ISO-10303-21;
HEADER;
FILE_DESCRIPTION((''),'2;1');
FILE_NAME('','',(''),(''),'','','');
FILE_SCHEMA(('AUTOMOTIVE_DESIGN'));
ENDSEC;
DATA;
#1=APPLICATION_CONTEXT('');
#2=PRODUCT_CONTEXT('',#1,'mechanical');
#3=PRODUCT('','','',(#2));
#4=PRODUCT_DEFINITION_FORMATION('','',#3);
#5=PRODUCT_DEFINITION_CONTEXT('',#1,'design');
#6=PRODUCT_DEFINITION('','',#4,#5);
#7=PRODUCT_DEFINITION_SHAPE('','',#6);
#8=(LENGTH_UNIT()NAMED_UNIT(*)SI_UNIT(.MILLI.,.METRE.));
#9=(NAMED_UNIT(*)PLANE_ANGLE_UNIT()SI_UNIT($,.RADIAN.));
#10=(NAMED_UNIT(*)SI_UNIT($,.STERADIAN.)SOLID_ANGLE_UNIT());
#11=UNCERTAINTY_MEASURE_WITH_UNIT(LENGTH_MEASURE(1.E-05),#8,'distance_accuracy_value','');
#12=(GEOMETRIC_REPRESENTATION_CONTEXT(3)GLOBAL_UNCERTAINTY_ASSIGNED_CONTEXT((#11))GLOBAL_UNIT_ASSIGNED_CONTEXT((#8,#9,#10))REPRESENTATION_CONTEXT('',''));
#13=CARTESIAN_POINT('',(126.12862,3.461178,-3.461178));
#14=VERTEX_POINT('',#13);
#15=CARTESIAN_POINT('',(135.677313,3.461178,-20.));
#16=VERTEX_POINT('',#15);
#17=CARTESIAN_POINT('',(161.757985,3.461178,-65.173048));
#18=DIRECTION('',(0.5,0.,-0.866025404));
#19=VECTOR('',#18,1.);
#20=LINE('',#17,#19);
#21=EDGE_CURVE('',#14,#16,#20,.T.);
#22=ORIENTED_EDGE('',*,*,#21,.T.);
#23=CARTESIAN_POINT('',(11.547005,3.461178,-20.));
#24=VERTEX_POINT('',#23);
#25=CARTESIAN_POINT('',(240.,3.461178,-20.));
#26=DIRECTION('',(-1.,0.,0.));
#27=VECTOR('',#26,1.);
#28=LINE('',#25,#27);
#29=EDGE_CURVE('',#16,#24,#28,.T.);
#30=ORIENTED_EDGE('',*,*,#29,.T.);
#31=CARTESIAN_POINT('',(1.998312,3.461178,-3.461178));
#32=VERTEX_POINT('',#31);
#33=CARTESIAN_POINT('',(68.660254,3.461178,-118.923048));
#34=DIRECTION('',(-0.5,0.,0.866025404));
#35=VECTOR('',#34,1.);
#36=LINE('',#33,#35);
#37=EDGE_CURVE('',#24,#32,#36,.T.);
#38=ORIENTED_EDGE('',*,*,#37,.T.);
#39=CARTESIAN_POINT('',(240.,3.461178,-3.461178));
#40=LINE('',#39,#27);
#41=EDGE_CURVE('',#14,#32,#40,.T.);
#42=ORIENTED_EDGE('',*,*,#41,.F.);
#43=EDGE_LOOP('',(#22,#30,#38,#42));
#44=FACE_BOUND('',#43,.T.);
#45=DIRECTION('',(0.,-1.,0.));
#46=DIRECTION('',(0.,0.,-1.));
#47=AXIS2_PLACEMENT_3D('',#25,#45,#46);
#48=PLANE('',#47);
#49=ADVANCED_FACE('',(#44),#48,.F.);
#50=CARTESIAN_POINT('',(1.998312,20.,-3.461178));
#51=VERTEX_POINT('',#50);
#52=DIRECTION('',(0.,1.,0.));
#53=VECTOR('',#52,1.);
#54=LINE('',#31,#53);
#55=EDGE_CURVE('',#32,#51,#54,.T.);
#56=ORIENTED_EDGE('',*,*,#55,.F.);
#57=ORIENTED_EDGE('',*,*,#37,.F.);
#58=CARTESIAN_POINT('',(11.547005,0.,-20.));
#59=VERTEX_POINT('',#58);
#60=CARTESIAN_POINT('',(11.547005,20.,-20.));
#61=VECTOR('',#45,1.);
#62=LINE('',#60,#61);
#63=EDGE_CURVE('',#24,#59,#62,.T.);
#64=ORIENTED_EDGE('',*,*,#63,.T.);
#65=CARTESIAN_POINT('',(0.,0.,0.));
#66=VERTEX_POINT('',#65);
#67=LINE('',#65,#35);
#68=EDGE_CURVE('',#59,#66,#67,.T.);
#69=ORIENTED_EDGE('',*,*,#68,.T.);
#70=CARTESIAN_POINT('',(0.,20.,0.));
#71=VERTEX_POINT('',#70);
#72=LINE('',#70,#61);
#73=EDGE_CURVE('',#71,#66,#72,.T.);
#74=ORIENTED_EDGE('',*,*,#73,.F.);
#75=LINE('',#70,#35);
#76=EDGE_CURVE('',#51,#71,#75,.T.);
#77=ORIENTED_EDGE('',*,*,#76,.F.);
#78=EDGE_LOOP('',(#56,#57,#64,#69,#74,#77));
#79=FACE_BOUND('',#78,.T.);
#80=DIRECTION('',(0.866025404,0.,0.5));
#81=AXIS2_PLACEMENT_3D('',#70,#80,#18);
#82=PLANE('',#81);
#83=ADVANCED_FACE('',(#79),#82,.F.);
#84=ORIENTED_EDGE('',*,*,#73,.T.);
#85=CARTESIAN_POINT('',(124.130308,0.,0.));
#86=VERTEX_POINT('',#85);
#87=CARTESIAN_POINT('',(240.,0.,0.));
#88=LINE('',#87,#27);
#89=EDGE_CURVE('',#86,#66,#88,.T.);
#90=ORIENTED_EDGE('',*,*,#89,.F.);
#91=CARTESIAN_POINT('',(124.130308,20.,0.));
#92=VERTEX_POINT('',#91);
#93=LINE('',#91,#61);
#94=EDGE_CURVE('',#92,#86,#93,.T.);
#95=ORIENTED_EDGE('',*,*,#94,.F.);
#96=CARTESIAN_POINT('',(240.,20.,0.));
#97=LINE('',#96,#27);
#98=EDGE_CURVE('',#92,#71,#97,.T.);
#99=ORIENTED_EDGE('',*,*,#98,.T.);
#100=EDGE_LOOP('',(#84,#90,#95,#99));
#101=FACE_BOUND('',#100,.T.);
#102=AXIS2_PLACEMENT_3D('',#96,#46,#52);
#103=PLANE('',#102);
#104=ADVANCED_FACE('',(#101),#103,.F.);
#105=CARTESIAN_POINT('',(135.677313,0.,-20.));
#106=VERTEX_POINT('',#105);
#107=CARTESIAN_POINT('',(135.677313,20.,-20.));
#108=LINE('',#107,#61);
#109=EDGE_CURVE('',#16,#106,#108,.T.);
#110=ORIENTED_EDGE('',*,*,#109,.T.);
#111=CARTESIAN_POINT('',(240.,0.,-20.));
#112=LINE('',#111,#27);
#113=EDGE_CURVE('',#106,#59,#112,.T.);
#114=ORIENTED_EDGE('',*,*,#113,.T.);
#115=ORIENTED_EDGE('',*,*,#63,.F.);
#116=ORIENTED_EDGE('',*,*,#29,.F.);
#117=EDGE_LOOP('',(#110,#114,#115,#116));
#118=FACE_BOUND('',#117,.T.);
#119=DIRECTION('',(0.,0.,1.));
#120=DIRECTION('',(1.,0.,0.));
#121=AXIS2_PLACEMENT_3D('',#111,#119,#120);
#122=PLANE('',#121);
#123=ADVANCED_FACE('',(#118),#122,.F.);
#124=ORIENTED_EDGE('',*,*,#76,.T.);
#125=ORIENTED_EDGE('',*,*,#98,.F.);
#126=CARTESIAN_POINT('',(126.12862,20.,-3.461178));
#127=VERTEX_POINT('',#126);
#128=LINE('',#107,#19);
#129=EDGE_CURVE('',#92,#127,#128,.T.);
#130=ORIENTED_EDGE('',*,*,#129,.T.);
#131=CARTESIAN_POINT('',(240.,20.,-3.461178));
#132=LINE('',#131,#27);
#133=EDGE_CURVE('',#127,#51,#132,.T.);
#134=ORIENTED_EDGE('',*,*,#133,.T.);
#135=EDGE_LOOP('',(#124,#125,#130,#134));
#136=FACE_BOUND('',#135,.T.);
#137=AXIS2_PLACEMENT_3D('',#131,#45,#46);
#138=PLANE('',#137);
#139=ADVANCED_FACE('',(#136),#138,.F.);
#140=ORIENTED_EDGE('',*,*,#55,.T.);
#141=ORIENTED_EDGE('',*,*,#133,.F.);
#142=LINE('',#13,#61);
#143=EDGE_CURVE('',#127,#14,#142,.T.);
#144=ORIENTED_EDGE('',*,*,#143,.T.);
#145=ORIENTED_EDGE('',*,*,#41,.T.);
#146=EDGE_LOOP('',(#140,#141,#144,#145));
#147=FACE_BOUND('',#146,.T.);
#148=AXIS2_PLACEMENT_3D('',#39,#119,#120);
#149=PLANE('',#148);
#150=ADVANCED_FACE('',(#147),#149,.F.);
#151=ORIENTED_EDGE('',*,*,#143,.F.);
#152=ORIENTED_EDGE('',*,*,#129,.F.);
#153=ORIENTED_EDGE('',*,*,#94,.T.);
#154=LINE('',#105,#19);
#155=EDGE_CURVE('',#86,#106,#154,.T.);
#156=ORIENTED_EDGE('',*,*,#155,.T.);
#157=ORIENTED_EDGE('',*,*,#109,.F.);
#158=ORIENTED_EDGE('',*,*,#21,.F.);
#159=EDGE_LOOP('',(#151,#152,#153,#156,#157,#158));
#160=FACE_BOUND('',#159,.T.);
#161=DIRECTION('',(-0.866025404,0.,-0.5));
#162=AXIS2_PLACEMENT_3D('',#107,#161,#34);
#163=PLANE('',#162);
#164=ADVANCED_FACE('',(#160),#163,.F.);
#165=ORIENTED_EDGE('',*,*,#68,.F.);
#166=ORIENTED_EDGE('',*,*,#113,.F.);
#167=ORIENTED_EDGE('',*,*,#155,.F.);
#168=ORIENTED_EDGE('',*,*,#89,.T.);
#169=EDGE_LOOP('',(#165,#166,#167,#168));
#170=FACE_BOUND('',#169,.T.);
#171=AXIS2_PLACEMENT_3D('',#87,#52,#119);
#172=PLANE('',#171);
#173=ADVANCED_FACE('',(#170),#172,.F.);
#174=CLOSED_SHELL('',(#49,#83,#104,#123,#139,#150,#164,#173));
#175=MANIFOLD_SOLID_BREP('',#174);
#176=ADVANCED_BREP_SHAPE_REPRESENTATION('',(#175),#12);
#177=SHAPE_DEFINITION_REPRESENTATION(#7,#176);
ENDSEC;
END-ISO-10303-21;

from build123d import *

# Parameters (mm, degrees)
BOSS_EXTRUDE1_DEPTH = 240
CUT_EXTRUDE1_DEPTH  = 242.660919472


with BuildPart() as part:
    # Sketch1 → Boss-Extrude1 (new body)
    with BuildSketch(Plane(origin=(0, 0, 0), x_dir=(0, 0, -1), z_dir=(1, 0, 0))):
        Polygon((0, 0), (20, 0), (20, 3.461178467), (3.461178467, 3.461178467), (3.461178467, 20), (0, 20), align=None)
    extrude(amount=BOSS_EXTRUDE1_DEPTH)

    # Sketch2 → Cut-Extrude1 (cut, through all)
    with BuildSketch(Plane.XZ):
        Polygon((0, 0), (11.547005384, -20), (0, -20), align=None)
        Polygon((240, 0), (240, -20), (135.67731326, -20), (124.130307876, 0), align=None)
    extrude(amount=-CUT_EXTRUDE1_DEPTH, mode=Mode.SUBTRACT)


solid = part.part
